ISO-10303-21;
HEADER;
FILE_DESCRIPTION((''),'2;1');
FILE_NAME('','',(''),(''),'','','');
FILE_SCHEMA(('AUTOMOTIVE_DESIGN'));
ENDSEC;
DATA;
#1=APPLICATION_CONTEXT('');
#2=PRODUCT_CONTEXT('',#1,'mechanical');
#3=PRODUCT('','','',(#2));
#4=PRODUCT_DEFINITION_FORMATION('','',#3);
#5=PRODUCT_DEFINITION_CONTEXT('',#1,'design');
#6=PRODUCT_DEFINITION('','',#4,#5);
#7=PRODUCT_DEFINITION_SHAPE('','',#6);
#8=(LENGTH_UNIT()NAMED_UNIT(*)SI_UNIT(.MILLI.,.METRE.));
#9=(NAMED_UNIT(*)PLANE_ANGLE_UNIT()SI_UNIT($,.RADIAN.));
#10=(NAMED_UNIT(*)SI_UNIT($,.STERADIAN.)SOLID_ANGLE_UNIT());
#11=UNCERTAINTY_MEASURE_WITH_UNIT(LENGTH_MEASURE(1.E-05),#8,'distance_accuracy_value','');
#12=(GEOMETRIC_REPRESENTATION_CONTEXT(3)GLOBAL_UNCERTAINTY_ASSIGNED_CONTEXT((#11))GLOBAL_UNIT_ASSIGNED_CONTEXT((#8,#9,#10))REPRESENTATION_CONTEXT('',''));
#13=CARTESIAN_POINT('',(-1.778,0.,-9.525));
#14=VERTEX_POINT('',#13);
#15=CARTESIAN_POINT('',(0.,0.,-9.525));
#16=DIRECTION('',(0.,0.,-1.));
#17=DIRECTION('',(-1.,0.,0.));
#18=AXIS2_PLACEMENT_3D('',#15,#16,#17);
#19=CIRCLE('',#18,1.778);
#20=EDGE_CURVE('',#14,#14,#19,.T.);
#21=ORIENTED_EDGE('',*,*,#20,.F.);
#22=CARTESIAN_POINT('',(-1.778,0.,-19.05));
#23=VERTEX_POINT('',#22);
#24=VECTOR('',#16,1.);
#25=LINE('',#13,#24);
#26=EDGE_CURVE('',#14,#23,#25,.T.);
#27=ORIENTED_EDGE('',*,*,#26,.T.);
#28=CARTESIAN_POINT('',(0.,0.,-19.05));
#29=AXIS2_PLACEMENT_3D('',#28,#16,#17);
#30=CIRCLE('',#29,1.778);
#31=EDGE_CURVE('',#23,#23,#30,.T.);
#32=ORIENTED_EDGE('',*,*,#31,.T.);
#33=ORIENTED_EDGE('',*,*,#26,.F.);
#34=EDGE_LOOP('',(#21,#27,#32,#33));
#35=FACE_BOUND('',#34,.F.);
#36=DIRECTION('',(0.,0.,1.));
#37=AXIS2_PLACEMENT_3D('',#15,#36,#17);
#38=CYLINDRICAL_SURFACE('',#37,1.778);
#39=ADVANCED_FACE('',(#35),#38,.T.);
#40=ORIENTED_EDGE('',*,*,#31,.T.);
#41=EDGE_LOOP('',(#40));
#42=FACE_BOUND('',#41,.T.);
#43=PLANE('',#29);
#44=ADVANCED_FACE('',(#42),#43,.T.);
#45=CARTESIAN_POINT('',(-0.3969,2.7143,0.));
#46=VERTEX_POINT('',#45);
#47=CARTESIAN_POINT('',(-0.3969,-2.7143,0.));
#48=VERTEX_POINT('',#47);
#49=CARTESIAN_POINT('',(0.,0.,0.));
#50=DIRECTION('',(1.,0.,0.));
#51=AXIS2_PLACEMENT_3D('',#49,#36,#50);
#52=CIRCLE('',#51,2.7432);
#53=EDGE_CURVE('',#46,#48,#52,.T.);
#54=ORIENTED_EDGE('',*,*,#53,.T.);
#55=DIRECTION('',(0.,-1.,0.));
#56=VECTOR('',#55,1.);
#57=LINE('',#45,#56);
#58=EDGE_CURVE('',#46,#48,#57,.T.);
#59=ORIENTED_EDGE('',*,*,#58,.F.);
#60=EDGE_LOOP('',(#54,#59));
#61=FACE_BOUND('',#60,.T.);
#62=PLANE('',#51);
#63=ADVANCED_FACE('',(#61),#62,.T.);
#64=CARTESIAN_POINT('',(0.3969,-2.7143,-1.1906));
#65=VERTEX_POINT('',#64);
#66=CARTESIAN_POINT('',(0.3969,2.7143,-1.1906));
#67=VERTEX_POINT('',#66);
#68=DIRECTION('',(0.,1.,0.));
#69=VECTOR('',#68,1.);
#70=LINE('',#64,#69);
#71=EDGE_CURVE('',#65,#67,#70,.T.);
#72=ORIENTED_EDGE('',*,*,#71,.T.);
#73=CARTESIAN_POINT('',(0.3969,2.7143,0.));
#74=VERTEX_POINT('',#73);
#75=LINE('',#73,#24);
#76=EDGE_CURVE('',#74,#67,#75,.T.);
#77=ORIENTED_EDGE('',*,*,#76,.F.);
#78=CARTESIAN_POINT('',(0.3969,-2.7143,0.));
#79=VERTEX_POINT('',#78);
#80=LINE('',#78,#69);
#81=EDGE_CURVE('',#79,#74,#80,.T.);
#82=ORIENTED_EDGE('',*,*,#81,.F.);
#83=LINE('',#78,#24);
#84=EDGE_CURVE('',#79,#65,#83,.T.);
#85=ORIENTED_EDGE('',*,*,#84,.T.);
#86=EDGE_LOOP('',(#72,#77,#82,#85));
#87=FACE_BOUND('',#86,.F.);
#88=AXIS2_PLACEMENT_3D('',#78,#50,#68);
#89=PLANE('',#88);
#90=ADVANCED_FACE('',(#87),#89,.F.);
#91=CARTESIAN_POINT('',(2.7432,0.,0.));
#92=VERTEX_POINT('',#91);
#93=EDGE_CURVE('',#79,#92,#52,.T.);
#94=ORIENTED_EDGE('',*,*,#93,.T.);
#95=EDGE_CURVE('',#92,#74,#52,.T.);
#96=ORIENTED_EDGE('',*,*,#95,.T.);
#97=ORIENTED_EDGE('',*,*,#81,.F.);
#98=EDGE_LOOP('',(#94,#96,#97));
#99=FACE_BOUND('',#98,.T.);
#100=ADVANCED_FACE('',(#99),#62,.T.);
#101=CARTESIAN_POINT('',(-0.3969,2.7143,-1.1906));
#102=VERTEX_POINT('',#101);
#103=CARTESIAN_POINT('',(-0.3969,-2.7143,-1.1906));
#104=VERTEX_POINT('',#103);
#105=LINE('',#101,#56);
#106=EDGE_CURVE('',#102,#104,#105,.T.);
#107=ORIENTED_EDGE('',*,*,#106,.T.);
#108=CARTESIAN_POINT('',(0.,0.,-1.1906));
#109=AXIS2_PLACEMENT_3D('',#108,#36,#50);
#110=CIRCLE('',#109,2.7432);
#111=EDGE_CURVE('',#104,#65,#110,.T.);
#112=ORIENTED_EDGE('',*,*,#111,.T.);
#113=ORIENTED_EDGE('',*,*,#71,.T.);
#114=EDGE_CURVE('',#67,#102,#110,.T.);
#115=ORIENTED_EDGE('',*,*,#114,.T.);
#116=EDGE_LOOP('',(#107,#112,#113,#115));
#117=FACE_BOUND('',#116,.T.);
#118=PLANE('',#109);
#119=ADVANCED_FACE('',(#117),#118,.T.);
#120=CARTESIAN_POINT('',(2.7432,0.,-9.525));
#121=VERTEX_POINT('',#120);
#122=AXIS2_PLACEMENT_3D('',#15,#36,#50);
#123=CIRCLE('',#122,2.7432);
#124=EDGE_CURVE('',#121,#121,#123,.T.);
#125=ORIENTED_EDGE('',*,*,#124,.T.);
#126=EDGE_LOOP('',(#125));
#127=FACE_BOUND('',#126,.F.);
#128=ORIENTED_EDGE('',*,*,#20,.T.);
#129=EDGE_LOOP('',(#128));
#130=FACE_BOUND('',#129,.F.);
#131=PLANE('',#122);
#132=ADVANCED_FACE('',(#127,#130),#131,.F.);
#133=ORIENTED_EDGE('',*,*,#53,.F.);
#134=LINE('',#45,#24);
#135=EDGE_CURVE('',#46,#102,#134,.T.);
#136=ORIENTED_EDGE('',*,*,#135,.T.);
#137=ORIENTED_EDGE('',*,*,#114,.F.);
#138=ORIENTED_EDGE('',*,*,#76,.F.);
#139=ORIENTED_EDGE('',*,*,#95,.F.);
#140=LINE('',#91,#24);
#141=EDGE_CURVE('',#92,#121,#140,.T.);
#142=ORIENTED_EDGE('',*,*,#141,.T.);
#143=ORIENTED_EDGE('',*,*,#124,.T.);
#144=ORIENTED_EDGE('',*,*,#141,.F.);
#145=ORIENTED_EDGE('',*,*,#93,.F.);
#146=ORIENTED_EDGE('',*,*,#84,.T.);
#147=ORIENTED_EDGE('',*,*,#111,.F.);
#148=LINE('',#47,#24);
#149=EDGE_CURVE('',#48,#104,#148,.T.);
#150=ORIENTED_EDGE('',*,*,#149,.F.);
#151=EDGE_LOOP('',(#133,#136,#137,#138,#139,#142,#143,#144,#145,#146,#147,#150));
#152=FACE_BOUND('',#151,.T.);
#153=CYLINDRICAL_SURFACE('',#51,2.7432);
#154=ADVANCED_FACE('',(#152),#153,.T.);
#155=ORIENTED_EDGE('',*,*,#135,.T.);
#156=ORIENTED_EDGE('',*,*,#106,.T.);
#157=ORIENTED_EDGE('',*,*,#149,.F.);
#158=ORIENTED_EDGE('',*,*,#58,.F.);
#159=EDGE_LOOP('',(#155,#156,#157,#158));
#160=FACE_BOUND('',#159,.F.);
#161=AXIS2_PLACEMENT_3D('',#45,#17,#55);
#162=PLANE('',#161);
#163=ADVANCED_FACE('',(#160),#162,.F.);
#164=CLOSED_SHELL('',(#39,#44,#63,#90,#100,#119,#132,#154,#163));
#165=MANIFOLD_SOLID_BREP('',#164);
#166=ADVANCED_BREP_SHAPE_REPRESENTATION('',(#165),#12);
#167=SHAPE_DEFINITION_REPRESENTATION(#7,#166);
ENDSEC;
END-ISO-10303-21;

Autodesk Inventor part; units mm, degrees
ref_plane "YZ Plane" through (0, 0, 0) normal (1, 0, 0) x (0, 1, 0)
ref_plane "XZ Plane" through (0, 0, 0) normal (0, 1, 0) x (-1, 0, 0)
ref_plane "XY Plane" through (0, 0, 0) normal (0, 0, 1) x (1, 0, 0)
sketch "Sketch1" plane through (0, 0, 0) normal (0, 0, 1) x (1, 0, 0)
  circle A0 centre (0, 0) radius 2.7432
  dimension "d0" = 5.4864
extrude "Extrusion1" add sketch "Sketch1" against normal blind 9.525
sketch "Sketch2" plane through (0, 0, -9.525) normal (0, 0, -1) x (-1, 0, 0)
  circle A0 centre (0, 0) radius 2.7432 projected
  circle A1 centre (0, 0) radius 1.778
  dimension "d3" = 3.556
extrude "Extrusion2" add sketch "Sketch2" along normal blind 9.525 contours A1
thread "Thread1" size "12-24 UNC" class "2A" standard "ANSI Unified Screw Threads" full length
sketch "Sketch3" plane through (0, 0, 0) normal (0, 0, 1) x (1, 0, 0)
  circle A0 centre (0, 0) radius 2.7432 projected
  line L0 (-0.3969, 2.7143) -> (-0.3969, -2.7143)
  line L1 (0.3969, -2.7143) -> (0.3969, 2.7143)
  dimension "d8" = 0.7937
  dimension "d9" = 0.3969
extrude "Extrusion3" cut sketch "Sketch3" against normal blind 1.1906 contours L1 A0 L0
equation "\"d9\" = 0.5 * d8"
properties part number "Set_Screw" material "Steel, Mild"
